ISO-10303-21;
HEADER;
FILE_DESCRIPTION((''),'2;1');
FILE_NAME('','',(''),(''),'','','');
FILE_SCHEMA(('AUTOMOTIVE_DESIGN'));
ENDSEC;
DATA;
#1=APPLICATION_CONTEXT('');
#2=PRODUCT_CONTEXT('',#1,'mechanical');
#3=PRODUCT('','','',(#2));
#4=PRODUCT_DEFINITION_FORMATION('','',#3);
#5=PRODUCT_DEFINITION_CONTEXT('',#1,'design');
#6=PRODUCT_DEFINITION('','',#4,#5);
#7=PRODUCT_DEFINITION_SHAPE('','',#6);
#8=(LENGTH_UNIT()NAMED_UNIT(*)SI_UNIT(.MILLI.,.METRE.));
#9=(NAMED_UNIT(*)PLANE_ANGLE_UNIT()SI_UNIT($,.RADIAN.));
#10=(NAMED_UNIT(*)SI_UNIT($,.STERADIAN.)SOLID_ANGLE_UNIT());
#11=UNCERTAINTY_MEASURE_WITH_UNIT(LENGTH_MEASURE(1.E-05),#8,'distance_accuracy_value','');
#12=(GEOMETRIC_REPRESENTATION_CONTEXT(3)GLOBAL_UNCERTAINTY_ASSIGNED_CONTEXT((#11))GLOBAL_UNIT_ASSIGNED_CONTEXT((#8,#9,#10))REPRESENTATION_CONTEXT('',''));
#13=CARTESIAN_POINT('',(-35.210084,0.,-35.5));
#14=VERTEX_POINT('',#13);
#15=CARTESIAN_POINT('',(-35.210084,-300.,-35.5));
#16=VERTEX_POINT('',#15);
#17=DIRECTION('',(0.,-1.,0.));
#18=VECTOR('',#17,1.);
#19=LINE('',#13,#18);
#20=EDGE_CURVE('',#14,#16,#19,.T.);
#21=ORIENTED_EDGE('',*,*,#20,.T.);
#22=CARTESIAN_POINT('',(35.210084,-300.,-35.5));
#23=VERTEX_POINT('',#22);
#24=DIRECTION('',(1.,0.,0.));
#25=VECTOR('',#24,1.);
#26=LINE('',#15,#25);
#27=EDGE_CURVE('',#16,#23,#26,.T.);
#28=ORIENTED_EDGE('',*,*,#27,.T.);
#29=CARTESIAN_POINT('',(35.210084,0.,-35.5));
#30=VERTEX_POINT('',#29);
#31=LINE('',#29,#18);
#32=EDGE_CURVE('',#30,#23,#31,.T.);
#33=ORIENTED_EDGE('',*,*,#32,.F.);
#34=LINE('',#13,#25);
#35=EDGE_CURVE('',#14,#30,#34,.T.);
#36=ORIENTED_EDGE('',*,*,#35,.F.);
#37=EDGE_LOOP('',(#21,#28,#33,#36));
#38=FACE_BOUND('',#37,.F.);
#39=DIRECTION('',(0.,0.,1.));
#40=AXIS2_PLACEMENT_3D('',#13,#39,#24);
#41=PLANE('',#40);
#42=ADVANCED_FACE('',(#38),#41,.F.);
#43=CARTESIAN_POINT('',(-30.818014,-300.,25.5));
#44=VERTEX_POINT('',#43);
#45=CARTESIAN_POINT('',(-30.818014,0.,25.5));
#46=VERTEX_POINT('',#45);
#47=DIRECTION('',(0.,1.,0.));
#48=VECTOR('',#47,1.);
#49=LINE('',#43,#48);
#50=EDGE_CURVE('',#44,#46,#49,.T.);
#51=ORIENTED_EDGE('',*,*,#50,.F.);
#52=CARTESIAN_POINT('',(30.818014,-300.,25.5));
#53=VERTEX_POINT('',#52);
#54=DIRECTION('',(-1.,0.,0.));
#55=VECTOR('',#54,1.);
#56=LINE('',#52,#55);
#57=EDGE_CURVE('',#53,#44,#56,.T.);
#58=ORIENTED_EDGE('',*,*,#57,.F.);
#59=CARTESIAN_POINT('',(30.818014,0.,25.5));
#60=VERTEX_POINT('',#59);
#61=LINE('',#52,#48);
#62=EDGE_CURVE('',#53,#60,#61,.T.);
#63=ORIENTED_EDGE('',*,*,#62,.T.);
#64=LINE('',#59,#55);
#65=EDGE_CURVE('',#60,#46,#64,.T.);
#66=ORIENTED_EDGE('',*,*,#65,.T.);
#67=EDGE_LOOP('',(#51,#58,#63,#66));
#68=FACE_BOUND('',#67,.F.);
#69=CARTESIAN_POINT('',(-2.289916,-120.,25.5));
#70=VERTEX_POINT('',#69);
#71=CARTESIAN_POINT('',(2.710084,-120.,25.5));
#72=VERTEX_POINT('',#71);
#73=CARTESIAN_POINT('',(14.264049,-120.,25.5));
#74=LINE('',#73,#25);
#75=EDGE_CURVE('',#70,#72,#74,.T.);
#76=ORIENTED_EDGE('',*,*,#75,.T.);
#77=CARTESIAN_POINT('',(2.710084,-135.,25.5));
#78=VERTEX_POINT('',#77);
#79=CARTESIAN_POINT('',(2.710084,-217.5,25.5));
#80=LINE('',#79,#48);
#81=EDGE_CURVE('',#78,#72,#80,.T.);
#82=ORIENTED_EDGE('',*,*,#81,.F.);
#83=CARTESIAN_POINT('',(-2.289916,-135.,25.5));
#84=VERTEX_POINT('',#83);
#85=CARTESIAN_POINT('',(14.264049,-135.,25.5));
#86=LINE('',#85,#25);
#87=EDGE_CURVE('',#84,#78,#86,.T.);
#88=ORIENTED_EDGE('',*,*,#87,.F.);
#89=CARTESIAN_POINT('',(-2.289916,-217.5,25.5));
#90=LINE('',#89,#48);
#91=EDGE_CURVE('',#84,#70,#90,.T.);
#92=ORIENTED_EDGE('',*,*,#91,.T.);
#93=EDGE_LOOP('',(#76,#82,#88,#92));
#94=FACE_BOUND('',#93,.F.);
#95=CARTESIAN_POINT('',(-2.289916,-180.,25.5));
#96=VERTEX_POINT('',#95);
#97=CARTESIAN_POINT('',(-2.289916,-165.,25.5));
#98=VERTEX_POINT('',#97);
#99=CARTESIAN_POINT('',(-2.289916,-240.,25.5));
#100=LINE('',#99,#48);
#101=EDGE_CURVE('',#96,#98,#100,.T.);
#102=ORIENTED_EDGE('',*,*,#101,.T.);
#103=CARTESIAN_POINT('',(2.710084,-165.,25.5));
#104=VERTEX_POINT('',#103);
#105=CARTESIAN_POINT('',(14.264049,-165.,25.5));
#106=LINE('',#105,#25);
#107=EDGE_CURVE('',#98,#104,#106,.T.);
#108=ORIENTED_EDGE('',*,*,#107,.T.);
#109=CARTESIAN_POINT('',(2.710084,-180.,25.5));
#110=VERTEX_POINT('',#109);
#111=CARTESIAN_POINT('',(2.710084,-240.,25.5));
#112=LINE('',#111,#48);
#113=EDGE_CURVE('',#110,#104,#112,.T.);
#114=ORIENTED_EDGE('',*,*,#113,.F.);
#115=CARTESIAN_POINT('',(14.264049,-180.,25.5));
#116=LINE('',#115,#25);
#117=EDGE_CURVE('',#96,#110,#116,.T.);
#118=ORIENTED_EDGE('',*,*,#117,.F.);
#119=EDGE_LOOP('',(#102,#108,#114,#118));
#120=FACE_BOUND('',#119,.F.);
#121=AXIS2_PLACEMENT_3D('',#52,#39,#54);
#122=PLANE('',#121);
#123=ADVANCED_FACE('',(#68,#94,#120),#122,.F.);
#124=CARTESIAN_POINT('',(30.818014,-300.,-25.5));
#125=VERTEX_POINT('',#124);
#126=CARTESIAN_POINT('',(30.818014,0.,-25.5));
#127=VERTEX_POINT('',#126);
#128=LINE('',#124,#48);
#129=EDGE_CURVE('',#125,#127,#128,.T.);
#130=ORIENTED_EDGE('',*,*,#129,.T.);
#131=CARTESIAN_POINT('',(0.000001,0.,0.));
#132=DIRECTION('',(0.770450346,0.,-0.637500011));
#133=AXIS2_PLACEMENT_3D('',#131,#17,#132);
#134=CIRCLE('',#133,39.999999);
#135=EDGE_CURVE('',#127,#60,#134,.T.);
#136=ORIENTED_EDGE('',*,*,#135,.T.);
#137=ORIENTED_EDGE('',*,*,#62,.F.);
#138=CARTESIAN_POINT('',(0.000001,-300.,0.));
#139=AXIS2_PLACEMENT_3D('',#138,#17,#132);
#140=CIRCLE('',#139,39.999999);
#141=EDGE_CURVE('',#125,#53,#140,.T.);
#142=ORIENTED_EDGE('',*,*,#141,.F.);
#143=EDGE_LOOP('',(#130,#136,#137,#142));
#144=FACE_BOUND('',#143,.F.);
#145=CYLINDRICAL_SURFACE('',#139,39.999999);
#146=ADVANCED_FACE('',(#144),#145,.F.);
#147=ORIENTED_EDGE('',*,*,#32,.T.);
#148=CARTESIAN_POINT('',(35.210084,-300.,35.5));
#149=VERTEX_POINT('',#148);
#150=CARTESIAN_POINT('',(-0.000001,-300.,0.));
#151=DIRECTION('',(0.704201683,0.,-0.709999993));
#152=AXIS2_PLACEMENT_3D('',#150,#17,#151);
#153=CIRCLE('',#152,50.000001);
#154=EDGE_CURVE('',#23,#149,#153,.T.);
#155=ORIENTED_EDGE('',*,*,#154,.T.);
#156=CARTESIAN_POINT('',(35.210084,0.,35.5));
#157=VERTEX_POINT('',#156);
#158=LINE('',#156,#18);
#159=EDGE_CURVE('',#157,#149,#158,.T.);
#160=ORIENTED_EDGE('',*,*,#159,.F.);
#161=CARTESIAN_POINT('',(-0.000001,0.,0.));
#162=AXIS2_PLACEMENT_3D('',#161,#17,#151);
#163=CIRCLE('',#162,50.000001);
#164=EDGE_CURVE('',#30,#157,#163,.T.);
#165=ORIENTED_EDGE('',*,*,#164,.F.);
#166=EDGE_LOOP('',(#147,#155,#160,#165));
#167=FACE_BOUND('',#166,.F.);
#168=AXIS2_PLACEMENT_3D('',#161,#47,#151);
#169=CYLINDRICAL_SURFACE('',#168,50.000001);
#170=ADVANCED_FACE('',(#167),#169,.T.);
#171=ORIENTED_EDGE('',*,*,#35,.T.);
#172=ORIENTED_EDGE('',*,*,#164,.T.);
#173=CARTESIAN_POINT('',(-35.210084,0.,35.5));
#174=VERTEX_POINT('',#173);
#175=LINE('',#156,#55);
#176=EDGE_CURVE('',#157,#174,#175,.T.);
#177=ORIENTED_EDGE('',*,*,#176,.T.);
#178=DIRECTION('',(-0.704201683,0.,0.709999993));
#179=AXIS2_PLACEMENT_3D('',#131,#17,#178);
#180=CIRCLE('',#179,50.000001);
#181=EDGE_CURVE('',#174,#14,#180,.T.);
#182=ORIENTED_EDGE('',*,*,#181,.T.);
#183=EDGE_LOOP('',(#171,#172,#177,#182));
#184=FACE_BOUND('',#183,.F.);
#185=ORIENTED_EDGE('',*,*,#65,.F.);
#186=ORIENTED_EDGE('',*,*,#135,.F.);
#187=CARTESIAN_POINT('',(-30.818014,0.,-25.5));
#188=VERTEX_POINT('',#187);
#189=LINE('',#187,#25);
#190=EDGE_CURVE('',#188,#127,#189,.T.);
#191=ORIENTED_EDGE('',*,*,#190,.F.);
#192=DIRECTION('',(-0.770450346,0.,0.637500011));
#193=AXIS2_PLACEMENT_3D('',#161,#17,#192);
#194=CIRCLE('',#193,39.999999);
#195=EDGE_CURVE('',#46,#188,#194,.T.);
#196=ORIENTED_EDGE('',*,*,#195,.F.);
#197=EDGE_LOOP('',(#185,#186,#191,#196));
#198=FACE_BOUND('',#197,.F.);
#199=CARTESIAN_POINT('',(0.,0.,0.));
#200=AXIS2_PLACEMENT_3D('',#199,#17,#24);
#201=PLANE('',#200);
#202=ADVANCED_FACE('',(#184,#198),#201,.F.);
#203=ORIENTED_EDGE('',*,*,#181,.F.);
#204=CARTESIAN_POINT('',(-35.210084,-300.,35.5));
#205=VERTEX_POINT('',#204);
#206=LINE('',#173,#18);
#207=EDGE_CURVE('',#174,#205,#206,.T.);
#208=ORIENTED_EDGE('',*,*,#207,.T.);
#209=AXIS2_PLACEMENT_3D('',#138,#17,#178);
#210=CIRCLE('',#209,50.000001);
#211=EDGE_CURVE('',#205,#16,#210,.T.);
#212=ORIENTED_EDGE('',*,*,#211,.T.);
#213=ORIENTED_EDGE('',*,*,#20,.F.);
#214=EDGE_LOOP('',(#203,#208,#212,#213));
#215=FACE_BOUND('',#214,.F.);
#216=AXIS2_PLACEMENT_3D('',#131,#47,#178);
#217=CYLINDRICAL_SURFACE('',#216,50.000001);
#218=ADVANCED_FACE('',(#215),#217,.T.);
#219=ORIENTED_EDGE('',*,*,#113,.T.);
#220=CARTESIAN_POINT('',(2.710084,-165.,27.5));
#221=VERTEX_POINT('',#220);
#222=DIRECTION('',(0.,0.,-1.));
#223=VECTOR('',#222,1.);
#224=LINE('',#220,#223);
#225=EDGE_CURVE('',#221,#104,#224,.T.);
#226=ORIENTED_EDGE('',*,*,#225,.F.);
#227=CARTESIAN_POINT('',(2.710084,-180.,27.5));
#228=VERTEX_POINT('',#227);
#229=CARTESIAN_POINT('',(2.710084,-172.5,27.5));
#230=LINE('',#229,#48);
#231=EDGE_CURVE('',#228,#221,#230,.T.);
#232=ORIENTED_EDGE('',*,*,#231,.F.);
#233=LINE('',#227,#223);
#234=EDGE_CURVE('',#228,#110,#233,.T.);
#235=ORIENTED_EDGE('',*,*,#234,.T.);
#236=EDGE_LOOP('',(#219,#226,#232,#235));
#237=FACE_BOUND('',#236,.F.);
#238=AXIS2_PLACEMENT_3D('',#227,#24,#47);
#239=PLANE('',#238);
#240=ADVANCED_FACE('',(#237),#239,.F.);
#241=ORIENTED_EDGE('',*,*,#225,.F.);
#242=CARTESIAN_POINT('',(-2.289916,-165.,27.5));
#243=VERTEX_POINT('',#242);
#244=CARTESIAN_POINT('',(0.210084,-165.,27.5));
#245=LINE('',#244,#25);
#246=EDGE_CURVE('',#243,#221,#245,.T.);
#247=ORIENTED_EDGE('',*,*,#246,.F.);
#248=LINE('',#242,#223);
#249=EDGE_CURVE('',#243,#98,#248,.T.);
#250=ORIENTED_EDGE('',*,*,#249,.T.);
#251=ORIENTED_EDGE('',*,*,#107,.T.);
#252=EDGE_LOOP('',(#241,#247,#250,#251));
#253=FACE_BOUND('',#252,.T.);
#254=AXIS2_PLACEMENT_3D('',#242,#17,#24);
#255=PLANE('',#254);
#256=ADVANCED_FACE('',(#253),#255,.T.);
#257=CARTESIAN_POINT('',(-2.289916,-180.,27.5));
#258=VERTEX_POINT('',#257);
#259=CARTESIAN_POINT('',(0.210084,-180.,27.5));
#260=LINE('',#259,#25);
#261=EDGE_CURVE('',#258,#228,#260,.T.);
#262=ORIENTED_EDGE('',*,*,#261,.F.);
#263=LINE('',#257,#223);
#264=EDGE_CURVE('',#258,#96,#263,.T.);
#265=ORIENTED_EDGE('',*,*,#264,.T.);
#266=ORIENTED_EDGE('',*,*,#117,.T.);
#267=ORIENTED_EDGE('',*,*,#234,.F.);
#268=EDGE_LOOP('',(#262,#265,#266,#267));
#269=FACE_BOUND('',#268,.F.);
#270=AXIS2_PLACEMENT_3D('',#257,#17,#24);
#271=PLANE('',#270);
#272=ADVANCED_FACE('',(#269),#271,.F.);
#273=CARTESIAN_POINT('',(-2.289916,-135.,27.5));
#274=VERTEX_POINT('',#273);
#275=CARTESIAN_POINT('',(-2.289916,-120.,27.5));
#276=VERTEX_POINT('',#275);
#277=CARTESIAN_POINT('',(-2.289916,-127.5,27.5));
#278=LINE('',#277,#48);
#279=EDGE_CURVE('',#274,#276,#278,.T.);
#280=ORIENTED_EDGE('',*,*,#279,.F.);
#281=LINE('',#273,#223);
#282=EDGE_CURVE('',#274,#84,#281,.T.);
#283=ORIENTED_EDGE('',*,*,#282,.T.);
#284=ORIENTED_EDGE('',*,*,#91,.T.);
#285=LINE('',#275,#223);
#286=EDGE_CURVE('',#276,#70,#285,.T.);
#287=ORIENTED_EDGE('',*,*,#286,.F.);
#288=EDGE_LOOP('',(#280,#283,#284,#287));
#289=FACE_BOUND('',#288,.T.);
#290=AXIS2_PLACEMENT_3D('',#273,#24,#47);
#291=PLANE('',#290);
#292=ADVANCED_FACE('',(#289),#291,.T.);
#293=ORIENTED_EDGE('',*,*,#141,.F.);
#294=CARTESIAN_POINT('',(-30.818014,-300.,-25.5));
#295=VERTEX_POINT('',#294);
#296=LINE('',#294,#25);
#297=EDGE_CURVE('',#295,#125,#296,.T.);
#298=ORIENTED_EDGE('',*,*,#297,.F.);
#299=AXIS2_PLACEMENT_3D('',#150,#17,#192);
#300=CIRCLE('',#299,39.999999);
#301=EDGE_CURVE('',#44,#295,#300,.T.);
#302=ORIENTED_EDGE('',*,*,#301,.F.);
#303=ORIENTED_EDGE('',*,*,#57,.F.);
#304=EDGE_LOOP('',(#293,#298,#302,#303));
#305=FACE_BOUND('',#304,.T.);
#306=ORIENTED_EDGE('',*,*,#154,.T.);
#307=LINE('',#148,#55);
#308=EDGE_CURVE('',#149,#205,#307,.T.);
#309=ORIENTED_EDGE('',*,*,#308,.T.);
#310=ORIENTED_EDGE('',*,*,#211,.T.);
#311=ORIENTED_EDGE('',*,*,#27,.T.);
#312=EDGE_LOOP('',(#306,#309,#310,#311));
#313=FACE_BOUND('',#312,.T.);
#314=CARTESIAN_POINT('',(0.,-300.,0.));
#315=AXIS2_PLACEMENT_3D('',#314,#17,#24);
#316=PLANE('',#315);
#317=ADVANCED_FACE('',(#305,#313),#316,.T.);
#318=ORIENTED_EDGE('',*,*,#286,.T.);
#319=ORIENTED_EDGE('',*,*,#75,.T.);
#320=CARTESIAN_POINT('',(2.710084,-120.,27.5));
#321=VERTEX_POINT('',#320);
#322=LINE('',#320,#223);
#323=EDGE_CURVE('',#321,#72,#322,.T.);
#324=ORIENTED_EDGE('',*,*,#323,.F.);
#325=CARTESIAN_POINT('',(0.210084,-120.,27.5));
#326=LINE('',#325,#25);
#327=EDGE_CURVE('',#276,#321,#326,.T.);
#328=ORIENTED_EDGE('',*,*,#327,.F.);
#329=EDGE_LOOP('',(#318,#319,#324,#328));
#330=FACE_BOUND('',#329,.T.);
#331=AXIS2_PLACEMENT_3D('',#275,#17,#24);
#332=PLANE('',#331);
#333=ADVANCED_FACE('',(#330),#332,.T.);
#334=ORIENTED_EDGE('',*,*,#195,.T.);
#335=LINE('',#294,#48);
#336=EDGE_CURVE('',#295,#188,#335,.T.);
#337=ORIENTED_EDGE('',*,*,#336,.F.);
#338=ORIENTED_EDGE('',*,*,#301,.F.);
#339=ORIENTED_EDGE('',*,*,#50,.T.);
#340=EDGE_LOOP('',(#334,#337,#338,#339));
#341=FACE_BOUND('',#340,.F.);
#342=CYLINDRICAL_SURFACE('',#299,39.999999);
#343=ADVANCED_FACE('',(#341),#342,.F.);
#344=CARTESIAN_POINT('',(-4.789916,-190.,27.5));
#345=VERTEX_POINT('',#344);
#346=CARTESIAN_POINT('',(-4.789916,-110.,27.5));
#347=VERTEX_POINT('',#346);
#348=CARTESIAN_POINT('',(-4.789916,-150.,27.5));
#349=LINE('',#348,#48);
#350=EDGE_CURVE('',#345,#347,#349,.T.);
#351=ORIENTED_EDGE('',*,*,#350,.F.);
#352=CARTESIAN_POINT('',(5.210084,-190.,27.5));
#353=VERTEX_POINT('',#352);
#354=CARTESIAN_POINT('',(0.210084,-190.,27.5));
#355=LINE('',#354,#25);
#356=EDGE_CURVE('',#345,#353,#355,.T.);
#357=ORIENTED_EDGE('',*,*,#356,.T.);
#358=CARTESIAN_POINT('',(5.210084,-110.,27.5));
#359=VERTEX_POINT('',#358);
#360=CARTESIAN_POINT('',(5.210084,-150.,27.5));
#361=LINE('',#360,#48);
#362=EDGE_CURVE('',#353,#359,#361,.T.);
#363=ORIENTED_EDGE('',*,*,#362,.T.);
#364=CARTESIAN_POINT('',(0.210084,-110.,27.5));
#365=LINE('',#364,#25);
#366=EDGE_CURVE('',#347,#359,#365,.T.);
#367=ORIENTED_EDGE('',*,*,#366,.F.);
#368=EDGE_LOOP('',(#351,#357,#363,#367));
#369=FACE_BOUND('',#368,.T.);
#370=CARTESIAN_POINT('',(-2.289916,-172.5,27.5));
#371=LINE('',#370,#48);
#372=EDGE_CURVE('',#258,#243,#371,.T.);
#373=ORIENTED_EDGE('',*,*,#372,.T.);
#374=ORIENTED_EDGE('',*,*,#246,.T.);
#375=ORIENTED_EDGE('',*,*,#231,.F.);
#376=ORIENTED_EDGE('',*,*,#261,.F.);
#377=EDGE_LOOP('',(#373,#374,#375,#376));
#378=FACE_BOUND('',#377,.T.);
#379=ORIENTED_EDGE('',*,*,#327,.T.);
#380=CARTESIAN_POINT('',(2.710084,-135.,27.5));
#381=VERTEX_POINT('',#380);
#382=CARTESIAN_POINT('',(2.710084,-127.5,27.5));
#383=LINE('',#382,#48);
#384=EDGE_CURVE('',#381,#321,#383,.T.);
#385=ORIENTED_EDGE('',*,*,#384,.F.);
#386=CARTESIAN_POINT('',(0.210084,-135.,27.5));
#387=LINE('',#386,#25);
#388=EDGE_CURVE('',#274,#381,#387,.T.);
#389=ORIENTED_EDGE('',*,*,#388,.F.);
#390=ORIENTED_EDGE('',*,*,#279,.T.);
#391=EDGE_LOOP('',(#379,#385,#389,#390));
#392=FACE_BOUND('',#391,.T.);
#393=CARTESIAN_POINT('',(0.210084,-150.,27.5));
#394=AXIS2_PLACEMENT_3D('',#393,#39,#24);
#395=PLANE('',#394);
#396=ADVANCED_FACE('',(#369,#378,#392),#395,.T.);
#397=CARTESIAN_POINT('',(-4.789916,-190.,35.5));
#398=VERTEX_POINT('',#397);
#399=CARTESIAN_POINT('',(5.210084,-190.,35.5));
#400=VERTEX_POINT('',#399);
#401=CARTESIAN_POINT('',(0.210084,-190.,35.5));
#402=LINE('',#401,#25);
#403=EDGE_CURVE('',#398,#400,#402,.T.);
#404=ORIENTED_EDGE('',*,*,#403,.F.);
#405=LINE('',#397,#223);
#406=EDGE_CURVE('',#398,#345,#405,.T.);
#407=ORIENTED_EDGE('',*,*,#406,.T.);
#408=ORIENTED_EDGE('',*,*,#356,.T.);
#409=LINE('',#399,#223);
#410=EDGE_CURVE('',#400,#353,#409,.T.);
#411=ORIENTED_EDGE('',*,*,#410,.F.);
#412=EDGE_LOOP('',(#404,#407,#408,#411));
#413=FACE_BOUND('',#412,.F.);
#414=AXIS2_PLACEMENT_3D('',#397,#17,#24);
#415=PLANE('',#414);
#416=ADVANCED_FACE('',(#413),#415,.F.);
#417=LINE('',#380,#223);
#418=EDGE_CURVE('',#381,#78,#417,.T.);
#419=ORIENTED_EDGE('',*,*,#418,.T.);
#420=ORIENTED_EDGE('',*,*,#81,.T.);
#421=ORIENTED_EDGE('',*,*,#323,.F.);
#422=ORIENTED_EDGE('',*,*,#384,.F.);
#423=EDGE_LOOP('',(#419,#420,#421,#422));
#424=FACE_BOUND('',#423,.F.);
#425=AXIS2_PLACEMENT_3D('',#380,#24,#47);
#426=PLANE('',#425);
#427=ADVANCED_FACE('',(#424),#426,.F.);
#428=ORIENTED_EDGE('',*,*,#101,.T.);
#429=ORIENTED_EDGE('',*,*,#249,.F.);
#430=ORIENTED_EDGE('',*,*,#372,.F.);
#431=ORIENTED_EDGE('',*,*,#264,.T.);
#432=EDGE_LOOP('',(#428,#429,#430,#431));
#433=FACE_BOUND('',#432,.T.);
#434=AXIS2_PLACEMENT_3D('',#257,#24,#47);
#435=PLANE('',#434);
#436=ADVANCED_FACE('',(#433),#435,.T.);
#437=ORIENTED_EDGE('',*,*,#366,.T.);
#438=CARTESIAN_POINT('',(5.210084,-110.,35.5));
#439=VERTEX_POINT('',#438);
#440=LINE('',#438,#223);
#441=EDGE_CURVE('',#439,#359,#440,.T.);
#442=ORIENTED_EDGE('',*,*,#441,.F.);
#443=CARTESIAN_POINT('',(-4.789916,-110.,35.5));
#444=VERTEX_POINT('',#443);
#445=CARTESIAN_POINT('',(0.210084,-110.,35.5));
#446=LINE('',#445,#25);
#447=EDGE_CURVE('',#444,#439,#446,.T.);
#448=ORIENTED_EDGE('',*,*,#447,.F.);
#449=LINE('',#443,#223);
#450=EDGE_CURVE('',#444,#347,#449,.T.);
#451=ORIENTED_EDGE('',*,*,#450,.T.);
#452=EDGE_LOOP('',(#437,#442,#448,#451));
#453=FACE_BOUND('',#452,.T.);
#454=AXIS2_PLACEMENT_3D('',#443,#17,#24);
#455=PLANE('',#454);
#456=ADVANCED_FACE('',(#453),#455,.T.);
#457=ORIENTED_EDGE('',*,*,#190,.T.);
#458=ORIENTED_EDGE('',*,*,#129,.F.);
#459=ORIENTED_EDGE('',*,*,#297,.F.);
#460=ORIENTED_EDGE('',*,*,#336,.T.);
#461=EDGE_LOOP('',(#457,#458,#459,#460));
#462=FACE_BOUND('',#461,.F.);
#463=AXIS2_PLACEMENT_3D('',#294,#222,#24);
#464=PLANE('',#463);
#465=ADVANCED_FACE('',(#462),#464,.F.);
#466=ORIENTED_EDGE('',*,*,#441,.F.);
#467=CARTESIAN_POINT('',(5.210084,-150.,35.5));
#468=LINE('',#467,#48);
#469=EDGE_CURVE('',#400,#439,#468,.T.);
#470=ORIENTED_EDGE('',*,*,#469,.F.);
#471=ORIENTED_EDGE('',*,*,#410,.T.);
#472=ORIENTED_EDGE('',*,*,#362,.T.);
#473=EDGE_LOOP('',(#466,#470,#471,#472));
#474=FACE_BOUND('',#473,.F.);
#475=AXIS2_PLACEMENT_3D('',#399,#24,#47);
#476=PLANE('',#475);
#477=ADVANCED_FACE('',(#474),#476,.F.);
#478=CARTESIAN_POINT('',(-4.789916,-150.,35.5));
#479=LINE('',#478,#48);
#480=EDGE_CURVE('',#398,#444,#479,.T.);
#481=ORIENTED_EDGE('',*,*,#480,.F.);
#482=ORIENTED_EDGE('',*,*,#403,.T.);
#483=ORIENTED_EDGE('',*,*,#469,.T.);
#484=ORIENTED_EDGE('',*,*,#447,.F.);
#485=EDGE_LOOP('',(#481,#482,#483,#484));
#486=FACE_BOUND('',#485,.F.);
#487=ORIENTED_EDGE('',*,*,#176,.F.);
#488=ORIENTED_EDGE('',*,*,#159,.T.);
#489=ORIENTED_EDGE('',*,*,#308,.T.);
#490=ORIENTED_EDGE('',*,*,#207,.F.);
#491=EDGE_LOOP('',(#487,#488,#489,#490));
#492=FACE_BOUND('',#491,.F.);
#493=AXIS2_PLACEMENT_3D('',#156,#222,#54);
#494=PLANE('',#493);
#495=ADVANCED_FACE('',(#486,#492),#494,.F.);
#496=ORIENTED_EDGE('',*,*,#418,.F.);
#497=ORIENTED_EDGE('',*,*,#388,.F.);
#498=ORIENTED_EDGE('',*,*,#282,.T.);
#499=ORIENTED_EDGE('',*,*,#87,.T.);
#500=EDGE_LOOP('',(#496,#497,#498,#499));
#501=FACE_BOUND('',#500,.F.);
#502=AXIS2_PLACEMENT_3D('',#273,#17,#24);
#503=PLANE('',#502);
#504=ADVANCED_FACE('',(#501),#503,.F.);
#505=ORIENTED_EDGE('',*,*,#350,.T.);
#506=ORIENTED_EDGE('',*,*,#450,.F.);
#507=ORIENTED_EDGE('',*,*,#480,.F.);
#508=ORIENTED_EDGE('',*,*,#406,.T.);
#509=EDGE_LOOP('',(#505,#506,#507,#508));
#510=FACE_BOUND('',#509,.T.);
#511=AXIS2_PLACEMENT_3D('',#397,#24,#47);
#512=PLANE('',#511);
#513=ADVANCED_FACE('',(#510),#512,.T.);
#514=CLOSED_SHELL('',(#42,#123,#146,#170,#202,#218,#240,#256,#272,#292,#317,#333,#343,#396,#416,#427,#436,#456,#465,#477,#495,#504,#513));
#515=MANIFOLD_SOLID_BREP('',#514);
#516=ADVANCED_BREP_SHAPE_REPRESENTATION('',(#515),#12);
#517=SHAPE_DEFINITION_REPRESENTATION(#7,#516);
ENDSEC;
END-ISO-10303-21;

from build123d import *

# Parameters (mm, degrees)
F1_DEPTH = 300
F3_DEPTH = 300
F4_W     = 10
F4_H     = 80
F5_DEPTH = 8
F6_W     = 5
F6_H     = 15
F7_DEPTH = 5


with BuildPart() as f1:
    # F0 (on Front) → F1 (new body)
    with BuildSketch(Plane.XZ):
        with BuildLine():
            Line((35.210084, 35.5), (-35.210084, 35.5))
            ThreePointArc((-35.210084, 35.5), (-50, 0), (-35.210084, -35.5))
            Line((-35.210084, -35.5), (35.210084, -35.5))
            ThreePointArc((35.210084, -35.5), (50, 0), (35.210084, 35.5))
        make_face()
    extrude(amount=F1_DEPTH)

    # F2 (on face) → F3 (cut)
    with BuildSketch(Plane.XZ.offset(300)):
        with BuildLine():
            Line((30.818014, 25.5), (-30.818014, 25.5))
            ThreePointArc((-30.818014, 25.5), (-40, 0), (-30.818014, -25.5))
            Line((-30.818014, -25.5), (30.818014, -25.5))
            ThreePointArc((30.818014, -25.5), (40, 0), (30.818014, 25.5))
        make_face()
    extrude(amount=-F3_DEPTH, mode=Mode.SUBTRACT)

    # F4 (on face) → F5 (cut)
    with BuildSketch(Plane.XY.offset(35.5)):
        with Locations((0.210084, -150)):
            Rectangle(F4_W, F4_H)
    extrude(amount=-F5_DEPTH, mode=Mode.SUBTRACT)

    # F6 (on face) → F7 (cut)
    with BuildSketch(Plane.XY.offset(27.5)):
        with Locations((0.210084, -127.5)):
            Rectangle(F6_W, F6_H)
        with Locations((0.210084, -172.5)):
            Rectangle(F6_W, F6_H)
    extrude(amount=-F7_DEPTH, mode=Mode.SUBTRACT)


solid = f1.part
